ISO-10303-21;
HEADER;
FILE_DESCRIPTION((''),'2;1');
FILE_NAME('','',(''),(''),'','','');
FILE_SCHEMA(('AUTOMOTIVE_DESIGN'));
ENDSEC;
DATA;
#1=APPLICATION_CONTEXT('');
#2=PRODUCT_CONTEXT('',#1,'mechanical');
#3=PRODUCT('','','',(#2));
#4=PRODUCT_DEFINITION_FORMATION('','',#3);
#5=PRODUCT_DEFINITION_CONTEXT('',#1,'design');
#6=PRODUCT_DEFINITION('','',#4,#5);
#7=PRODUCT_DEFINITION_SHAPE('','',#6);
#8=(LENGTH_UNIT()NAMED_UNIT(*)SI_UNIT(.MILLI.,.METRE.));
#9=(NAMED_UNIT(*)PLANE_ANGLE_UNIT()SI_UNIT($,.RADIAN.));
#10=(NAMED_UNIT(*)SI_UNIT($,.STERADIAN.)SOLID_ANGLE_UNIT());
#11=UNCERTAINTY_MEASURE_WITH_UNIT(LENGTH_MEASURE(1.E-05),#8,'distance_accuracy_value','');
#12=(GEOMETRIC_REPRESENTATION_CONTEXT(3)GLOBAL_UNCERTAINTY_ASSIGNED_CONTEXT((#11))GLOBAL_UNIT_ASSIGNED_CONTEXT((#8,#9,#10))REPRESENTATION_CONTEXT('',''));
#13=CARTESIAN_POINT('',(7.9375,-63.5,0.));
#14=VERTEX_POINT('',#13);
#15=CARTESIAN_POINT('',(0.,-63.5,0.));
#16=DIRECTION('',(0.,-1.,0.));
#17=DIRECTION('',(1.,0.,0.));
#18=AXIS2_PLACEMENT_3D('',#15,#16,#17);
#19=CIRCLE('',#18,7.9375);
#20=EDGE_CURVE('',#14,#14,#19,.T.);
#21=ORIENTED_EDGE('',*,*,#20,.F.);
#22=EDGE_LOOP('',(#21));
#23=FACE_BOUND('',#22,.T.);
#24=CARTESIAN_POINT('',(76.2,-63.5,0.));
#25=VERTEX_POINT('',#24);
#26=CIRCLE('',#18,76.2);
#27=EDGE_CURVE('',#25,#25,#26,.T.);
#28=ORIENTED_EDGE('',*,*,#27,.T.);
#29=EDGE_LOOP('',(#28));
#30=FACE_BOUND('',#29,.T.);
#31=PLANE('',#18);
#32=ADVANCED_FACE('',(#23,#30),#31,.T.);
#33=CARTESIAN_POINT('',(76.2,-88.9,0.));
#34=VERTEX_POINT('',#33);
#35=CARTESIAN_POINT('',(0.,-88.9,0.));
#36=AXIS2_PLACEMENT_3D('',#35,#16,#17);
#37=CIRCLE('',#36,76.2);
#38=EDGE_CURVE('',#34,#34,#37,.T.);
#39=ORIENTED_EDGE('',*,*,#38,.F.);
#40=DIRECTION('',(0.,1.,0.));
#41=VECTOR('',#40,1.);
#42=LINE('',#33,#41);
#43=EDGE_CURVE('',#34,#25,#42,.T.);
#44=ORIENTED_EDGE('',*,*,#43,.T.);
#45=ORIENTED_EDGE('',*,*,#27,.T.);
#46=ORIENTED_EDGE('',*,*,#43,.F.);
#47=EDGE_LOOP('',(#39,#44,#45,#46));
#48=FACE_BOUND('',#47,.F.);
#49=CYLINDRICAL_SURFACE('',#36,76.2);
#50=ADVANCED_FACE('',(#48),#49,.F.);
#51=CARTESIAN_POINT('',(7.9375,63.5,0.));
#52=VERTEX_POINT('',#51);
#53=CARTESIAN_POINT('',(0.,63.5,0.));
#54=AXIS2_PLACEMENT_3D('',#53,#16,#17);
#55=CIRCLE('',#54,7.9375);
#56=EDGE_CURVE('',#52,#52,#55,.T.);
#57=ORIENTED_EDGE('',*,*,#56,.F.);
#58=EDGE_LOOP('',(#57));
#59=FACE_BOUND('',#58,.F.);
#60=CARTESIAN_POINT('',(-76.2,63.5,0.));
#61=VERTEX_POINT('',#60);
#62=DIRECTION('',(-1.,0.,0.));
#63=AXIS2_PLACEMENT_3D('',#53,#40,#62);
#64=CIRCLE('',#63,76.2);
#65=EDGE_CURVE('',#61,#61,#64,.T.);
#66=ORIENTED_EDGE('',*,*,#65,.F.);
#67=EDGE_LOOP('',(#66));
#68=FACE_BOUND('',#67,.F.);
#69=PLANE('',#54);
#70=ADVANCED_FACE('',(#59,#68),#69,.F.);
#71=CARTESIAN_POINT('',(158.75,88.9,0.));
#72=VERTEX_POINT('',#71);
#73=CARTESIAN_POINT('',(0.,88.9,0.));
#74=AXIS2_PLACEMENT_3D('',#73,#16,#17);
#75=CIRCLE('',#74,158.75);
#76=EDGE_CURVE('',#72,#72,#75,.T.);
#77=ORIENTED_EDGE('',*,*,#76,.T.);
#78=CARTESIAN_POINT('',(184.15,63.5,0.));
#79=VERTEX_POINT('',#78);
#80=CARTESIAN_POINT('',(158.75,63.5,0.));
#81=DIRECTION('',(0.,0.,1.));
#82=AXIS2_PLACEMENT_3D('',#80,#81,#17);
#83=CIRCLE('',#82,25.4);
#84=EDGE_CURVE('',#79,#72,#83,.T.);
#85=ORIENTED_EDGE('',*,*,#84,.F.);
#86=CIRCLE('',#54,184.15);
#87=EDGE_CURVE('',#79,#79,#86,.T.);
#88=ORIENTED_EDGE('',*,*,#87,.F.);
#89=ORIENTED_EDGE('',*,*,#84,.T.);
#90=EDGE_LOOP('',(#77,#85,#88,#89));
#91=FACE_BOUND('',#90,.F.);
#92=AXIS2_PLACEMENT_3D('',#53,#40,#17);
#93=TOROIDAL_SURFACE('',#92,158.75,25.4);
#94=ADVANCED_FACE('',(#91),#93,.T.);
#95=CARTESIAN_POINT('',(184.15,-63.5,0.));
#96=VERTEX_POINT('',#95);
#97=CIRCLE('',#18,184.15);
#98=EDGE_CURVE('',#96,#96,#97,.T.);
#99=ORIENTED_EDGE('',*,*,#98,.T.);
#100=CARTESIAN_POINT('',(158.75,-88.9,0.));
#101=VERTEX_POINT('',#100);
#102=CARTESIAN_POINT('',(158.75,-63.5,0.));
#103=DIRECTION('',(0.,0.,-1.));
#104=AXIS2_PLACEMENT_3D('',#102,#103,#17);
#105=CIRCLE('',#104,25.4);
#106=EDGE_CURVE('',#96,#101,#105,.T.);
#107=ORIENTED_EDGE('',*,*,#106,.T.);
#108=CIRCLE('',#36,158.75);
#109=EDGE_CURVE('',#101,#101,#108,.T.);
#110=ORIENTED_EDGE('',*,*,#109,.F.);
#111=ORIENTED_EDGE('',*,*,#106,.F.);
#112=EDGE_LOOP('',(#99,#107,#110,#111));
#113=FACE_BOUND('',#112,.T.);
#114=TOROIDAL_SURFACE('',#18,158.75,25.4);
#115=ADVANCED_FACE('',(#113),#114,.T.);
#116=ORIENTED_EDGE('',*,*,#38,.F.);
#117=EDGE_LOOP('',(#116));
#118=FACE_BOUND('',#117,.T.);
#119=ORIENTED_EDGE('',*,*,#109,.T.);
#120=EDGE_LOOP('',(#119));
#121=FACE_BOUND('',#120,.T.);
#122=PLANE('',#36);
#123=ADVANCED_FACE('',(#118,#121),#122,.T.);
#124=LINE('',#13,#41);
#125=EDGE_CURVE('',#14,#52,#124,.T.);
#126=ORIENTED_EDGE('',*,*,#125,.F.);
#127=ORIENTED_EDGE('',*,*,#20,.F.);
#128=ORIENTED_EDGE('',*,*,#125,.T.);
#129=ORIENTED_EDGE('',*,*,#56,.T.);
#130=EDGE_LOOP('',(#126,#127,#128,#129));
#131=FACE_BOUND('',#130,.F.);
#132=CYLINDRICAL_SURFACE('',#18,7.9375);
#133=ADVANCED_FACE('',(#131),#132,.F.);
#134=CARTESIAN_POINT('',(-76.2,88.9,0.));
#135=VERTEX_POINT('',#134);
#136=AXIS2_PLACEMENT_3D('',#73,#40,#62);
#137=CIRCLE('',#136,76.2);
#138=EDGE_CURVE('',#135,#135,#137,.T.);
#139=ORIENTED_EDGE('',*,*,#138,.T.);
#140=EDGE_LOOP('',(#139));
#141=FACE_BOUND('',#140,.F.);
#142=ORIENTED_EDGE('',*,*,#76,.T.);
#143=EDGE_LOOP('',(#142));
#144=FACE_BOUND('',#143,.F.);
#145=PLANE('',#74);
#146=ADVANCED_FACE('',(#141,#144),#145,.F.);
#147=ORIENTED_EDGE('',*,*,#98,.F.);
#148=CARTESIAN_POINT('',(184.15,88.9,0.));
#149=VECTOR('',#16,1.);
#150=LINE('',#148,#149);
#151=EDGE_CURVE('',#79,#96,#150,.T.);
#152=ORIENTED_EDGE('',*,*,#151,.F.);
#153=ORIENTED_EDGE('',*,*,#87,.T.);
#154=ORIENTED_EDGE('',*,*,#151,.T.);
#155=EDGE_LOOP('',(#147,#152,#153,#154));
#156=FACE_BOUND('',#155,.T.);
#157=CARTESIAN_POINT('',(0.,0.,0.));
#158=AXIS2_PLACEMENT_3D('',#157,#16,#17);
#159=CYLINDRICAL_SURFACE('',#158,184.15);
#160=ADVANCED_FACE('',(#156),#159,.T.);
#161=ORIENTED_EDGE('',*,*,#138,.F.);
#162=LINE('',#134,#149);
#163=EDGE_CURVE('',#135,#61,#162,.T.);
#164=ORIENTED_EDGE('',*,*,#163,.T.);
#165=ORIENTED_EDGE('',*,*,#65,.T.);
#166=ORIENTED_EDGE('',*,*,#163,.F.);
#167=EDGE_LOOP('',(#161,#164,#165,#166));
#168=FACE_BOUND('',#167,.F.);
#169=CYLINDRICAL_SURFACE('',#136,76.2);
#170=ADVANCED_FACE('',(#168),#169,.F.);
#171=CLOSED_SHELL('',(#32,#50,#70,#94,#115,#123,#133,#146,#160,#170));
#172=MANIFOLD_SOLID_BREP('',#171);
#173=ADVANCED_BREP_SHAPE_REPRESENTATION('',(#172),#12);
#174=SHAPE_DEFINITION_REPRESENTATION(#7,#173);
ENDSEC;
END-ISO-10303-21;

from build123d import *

# Parameters (mm, degrees)
F0_R      = 184.15
F1_DEPTH  = 88.9
F2_R      = 76.2
F3_DEPTH  = 25.4
F4_R      = 76.2
F5_DEPTH  = 25.4
F6_R      = 12.7
F7_DEPTH  = 177.8
F8_R      = 25.4
F9_R      = 12.7
F9_R_2    = 7.9375
F10_DEPTH = 127


with BuildPart() as f1:
    # F0 (on Front) → F1 (new body, symmetric)
    with BuildSketch(Plane.XZ):
        Circle(F0_R)
    extrude(amount=F1_DEPTH, both=True)

    # F2 (on face) → F3 (cut)
    with BuildSketch(Plane.XZ.offset(88.9)):
        Circle(F2_R)
    extrude(amount=-F3_DEPTH, mode=Mode.SUBTRACT)

    # F4 (on face) → F5 (cut)
    with BuildSketch(Plane(origin=(0, 88.9, 0), x_dir=(-1, 0, 0), z_dir=(0, 1, 0))):
        Circle(F4_R)
    extrude(amount=-F5_DEPTH, mode=Mode.SUBTRACT)

    # F6 (on face) → F7 (cut, symmetric)
    with BuildSketch(Plane.XZ.offset(88.9)):
        Circle(F6_R)
    extrude(amount=F7_DEPTH, both=True, mode=Mode.SUBTRACT)

    # F8
    f8_edges = [f1.edges().sort_by_distance(p)[0] for p in [
        (-184.15, 88.9, 0),
        (-184.15, -88.9, 0),
    ]]
    fillet(f8_edges, radius=F8_R)

    # F9 (on face) → F10 (join)
    with BuildSketch(Plane.XZ.offset(63.5)):
        Circle(F9_R)
        Circle(F9_R_2, mode=Mode.SUBTRACT)
    extrude(amount=-F10_DEPTH)


solid = f1.part
